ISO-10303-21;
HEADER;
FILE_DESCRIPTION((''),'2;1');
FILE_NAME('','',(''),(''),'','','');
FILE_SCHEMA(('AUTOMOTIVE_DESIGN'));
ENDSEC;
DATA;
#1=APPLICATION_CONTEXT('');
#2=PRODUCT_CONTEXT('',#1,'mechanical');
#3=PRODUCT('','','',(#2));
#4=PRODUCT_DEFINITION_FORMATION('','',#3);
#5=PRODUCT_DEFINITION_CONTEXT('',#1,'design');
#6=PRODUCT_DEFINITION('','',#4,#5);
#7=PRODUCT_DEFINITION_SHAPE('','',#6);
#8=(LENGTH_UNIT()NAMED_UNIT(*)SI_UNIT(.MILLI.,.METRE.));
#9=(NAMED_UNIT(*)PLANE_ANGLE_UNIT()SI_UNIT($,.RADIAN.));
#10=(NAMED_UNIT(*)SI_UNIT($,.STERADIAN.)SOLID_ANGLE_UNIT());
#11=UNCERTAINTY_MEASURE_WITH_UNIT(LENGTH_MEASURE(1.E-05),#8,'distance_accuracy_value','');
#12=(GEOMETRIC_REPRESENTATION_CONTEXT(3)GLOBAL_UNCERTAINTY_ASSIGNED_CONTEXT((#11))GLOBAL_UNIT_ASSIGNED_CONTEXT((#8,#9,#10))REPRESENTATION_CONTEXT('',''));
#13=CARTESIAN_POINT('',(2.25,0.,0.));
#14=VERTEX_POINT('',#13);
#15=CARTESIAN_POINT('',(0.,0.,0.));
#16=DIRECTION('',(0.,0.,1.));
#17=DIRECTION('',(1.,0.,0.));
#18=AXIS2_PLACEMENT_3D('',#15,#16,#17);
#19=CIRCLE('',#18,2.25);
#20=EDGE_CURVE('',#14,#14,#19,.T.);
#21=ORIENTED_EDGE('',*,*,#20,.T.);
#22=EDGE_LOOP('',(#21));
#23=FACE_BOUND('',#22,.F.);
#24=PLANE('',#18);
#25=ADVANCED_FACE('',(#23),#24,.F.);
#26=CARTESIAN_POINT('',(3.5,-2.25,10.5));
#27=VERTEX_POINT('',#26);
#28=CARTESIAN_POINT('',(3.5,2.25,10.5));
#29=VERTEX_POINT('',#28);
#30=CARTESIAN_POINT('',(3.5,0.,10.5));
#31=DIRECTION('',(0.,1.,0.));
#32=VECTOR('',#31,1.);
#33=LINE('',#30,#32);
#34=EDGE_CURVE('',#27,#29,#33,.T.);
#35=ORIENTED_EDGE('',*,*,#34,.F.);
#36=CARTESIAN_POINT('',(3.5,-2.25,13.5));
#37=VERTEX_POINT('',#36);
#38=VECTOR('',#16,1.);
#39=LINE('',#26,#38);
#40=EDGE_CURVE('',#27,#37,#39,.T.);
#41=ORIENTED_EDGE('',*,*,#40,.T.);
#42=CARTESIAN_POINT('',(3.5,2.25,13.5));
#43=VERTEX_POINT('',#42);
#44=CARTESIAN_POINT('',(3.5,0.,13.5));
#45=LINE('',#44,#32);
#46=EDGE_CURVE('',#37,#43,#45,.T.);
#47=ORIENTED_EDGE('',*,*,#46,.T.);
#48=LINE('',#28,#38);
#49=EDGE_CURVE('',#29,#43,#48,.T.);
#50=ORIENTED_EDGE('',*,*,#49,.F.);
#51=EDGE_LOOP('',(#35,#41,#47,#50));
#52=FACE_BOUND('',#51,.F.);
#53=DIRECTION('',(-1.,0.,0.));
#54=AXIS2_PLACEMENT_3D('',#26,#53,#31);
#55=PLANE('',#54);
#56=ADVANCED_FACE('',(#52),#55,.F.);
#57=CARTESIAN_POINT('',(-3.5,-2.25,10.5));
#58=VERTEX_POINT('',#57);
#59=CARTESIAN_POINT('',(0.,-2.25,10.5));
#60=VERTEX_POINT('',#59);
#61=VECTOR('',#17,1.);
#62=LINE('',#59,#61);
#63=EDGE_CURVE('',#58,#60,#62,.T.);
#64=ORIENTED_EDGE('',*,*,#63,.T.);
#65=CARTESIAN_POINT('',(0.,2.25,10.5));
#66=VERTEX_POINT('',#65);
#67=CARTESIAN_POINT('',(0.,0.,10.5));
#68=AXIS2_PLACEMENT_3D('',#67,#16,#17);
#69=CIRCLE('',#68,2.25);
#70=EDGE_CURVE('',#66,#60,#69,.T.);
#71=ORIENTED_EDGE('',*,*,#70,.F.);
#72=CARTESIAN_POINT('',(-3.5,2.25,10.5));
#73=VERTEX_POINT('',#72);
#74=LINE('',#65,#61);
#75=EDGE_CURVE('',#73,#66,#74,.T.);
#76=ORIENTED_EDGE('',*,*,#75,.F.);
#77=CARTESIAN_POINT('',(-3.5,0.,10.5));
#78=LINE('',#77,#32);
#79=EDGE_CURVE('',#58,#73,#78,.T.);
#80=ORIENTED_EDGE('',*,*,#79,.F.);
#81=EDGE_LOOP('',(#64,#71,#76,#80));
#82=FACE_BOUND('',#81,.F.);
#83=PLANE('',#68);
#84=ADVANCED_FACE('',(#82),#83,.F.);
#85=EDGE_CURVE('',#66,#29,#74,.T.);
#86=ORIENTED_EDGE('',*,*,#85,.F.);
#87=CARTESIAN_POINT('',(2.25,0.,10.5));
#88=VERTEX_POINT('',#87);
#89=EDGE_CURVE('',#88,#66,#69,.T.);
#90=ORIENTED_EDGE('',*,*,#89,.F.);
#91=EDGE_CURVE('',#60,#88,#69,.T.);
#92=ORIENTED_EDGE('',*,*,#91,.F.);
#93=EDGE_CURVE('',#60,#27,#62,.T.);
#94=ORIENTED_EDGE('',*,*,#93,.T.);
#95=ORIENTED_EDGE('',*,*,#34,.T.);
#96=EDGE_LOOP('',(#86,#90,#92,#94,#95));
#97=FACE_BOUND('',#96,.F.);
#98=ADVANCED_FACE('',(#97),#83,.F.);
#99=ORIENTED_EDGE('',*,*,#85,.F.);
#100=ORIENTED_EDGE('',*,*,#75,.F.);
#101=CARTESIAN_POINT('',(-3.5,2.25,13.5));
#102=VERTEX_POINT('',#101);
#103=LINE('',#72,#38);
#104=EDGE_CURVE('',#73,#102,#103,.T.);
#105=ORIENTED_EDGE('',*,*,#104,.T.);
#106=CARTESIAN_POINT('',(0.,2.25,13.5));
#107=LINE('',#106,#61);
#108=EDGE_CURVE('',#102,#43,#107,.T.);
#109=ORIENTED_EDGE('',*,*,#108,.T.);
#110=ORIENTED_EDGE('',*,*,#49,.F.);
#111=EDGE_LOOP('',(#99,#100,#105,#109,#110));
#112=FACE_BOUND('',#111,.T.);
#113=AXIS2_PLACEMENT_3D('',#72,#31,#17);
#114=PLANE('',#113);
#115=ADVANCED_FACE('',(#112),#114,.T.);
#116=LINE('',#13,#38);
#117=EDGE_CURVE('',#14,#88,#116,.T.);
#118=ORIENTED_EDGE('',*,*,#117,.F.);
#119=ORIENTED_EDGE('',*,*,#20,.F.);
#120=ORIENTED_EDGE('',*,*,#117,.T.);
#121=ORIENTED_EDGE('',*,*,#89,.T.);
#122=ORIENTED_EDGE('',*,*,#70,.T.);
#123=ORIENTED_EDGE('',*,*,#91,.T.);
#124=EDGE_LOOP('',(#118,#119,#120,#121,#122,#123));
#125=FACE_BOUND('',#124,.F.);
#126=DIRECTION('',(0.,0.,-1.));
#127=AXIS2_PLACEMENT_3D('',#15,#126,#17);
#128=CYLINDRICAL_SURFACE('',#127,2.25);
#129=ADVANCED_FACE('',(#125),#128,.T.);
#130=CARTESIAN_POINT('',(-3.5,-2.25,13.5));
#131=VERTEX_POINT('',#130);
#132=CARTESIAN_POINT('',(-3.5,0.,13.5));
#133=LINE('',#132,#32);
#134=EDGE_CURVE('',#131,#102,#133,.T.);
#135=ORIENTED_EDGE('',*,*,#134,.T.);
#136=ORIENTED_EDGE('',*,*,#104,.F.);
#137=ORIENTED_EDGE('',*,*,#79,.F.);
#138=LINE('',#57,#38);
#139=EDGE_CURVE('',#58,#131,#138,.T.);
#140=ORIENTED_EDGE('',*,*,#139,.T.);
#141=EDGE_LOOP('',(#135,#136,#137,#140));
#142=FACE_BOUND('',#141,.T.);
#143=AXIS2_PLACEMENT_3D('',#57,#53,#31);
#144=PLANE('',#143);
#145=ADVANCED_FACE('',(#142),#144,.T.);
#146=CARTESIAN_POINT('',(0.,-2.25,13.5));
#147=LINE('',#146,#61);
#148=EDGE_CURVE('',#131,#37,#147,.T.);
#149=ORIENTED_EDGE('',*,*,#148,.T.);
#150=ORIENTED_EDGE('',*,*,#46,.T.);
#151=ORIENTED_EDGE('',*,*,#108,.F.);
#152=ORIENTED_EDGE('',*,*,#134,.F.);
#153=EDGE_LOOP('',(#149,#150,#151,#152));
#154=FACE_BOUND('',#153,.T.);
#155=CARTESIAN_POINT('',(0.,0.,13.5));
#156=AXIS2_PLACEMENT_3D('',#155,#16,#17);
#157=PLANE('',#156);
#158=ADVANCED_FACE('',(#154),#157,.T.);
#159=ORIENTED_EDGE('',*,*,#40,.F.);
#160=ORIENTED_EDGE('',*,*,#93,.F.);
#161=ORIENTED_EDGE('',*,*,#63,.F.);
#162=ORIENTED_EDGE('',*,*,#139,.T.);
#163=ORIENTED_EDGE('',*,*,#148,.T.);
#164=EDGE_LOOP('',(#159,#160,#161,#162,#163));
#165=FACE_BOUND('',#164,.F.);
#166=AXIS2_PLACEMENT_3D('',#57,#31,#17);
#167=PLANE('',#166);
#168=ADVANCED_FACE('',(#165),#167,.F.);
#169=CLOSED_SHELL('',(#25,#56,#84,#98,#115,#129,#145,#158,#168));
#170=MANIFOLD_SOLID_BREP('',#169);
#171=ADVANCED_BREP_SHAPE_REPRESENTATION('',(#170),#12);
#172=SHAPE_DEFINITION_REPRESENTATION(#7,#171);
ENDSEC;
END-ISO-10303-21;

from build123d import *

# Parameters (mm, degrees)
SKETCH_R     = 2.25
PAD_DEPTH    = 10.5
SKETCH001_W  = 7
SKETCH001_H  = 4.5
PAD001_DEPTH = 3


with BuildPart() as part:
    # Sketch → Pad (new body)
    with BuildSketch(Plane.XY):
        Circle(SKETCH_R)
    extrude(amount=PAD_DEPTH)

    # Sketch001 (on Face3 of Pad) → Pad001 (join)
    with BuildSketch(Plane.XY.offset(10.5)):
        Rectangle(SKETCH001_W, SKETCH001_H)
    extrude(amount=PAD001_DEPTH)


solid = part.part
